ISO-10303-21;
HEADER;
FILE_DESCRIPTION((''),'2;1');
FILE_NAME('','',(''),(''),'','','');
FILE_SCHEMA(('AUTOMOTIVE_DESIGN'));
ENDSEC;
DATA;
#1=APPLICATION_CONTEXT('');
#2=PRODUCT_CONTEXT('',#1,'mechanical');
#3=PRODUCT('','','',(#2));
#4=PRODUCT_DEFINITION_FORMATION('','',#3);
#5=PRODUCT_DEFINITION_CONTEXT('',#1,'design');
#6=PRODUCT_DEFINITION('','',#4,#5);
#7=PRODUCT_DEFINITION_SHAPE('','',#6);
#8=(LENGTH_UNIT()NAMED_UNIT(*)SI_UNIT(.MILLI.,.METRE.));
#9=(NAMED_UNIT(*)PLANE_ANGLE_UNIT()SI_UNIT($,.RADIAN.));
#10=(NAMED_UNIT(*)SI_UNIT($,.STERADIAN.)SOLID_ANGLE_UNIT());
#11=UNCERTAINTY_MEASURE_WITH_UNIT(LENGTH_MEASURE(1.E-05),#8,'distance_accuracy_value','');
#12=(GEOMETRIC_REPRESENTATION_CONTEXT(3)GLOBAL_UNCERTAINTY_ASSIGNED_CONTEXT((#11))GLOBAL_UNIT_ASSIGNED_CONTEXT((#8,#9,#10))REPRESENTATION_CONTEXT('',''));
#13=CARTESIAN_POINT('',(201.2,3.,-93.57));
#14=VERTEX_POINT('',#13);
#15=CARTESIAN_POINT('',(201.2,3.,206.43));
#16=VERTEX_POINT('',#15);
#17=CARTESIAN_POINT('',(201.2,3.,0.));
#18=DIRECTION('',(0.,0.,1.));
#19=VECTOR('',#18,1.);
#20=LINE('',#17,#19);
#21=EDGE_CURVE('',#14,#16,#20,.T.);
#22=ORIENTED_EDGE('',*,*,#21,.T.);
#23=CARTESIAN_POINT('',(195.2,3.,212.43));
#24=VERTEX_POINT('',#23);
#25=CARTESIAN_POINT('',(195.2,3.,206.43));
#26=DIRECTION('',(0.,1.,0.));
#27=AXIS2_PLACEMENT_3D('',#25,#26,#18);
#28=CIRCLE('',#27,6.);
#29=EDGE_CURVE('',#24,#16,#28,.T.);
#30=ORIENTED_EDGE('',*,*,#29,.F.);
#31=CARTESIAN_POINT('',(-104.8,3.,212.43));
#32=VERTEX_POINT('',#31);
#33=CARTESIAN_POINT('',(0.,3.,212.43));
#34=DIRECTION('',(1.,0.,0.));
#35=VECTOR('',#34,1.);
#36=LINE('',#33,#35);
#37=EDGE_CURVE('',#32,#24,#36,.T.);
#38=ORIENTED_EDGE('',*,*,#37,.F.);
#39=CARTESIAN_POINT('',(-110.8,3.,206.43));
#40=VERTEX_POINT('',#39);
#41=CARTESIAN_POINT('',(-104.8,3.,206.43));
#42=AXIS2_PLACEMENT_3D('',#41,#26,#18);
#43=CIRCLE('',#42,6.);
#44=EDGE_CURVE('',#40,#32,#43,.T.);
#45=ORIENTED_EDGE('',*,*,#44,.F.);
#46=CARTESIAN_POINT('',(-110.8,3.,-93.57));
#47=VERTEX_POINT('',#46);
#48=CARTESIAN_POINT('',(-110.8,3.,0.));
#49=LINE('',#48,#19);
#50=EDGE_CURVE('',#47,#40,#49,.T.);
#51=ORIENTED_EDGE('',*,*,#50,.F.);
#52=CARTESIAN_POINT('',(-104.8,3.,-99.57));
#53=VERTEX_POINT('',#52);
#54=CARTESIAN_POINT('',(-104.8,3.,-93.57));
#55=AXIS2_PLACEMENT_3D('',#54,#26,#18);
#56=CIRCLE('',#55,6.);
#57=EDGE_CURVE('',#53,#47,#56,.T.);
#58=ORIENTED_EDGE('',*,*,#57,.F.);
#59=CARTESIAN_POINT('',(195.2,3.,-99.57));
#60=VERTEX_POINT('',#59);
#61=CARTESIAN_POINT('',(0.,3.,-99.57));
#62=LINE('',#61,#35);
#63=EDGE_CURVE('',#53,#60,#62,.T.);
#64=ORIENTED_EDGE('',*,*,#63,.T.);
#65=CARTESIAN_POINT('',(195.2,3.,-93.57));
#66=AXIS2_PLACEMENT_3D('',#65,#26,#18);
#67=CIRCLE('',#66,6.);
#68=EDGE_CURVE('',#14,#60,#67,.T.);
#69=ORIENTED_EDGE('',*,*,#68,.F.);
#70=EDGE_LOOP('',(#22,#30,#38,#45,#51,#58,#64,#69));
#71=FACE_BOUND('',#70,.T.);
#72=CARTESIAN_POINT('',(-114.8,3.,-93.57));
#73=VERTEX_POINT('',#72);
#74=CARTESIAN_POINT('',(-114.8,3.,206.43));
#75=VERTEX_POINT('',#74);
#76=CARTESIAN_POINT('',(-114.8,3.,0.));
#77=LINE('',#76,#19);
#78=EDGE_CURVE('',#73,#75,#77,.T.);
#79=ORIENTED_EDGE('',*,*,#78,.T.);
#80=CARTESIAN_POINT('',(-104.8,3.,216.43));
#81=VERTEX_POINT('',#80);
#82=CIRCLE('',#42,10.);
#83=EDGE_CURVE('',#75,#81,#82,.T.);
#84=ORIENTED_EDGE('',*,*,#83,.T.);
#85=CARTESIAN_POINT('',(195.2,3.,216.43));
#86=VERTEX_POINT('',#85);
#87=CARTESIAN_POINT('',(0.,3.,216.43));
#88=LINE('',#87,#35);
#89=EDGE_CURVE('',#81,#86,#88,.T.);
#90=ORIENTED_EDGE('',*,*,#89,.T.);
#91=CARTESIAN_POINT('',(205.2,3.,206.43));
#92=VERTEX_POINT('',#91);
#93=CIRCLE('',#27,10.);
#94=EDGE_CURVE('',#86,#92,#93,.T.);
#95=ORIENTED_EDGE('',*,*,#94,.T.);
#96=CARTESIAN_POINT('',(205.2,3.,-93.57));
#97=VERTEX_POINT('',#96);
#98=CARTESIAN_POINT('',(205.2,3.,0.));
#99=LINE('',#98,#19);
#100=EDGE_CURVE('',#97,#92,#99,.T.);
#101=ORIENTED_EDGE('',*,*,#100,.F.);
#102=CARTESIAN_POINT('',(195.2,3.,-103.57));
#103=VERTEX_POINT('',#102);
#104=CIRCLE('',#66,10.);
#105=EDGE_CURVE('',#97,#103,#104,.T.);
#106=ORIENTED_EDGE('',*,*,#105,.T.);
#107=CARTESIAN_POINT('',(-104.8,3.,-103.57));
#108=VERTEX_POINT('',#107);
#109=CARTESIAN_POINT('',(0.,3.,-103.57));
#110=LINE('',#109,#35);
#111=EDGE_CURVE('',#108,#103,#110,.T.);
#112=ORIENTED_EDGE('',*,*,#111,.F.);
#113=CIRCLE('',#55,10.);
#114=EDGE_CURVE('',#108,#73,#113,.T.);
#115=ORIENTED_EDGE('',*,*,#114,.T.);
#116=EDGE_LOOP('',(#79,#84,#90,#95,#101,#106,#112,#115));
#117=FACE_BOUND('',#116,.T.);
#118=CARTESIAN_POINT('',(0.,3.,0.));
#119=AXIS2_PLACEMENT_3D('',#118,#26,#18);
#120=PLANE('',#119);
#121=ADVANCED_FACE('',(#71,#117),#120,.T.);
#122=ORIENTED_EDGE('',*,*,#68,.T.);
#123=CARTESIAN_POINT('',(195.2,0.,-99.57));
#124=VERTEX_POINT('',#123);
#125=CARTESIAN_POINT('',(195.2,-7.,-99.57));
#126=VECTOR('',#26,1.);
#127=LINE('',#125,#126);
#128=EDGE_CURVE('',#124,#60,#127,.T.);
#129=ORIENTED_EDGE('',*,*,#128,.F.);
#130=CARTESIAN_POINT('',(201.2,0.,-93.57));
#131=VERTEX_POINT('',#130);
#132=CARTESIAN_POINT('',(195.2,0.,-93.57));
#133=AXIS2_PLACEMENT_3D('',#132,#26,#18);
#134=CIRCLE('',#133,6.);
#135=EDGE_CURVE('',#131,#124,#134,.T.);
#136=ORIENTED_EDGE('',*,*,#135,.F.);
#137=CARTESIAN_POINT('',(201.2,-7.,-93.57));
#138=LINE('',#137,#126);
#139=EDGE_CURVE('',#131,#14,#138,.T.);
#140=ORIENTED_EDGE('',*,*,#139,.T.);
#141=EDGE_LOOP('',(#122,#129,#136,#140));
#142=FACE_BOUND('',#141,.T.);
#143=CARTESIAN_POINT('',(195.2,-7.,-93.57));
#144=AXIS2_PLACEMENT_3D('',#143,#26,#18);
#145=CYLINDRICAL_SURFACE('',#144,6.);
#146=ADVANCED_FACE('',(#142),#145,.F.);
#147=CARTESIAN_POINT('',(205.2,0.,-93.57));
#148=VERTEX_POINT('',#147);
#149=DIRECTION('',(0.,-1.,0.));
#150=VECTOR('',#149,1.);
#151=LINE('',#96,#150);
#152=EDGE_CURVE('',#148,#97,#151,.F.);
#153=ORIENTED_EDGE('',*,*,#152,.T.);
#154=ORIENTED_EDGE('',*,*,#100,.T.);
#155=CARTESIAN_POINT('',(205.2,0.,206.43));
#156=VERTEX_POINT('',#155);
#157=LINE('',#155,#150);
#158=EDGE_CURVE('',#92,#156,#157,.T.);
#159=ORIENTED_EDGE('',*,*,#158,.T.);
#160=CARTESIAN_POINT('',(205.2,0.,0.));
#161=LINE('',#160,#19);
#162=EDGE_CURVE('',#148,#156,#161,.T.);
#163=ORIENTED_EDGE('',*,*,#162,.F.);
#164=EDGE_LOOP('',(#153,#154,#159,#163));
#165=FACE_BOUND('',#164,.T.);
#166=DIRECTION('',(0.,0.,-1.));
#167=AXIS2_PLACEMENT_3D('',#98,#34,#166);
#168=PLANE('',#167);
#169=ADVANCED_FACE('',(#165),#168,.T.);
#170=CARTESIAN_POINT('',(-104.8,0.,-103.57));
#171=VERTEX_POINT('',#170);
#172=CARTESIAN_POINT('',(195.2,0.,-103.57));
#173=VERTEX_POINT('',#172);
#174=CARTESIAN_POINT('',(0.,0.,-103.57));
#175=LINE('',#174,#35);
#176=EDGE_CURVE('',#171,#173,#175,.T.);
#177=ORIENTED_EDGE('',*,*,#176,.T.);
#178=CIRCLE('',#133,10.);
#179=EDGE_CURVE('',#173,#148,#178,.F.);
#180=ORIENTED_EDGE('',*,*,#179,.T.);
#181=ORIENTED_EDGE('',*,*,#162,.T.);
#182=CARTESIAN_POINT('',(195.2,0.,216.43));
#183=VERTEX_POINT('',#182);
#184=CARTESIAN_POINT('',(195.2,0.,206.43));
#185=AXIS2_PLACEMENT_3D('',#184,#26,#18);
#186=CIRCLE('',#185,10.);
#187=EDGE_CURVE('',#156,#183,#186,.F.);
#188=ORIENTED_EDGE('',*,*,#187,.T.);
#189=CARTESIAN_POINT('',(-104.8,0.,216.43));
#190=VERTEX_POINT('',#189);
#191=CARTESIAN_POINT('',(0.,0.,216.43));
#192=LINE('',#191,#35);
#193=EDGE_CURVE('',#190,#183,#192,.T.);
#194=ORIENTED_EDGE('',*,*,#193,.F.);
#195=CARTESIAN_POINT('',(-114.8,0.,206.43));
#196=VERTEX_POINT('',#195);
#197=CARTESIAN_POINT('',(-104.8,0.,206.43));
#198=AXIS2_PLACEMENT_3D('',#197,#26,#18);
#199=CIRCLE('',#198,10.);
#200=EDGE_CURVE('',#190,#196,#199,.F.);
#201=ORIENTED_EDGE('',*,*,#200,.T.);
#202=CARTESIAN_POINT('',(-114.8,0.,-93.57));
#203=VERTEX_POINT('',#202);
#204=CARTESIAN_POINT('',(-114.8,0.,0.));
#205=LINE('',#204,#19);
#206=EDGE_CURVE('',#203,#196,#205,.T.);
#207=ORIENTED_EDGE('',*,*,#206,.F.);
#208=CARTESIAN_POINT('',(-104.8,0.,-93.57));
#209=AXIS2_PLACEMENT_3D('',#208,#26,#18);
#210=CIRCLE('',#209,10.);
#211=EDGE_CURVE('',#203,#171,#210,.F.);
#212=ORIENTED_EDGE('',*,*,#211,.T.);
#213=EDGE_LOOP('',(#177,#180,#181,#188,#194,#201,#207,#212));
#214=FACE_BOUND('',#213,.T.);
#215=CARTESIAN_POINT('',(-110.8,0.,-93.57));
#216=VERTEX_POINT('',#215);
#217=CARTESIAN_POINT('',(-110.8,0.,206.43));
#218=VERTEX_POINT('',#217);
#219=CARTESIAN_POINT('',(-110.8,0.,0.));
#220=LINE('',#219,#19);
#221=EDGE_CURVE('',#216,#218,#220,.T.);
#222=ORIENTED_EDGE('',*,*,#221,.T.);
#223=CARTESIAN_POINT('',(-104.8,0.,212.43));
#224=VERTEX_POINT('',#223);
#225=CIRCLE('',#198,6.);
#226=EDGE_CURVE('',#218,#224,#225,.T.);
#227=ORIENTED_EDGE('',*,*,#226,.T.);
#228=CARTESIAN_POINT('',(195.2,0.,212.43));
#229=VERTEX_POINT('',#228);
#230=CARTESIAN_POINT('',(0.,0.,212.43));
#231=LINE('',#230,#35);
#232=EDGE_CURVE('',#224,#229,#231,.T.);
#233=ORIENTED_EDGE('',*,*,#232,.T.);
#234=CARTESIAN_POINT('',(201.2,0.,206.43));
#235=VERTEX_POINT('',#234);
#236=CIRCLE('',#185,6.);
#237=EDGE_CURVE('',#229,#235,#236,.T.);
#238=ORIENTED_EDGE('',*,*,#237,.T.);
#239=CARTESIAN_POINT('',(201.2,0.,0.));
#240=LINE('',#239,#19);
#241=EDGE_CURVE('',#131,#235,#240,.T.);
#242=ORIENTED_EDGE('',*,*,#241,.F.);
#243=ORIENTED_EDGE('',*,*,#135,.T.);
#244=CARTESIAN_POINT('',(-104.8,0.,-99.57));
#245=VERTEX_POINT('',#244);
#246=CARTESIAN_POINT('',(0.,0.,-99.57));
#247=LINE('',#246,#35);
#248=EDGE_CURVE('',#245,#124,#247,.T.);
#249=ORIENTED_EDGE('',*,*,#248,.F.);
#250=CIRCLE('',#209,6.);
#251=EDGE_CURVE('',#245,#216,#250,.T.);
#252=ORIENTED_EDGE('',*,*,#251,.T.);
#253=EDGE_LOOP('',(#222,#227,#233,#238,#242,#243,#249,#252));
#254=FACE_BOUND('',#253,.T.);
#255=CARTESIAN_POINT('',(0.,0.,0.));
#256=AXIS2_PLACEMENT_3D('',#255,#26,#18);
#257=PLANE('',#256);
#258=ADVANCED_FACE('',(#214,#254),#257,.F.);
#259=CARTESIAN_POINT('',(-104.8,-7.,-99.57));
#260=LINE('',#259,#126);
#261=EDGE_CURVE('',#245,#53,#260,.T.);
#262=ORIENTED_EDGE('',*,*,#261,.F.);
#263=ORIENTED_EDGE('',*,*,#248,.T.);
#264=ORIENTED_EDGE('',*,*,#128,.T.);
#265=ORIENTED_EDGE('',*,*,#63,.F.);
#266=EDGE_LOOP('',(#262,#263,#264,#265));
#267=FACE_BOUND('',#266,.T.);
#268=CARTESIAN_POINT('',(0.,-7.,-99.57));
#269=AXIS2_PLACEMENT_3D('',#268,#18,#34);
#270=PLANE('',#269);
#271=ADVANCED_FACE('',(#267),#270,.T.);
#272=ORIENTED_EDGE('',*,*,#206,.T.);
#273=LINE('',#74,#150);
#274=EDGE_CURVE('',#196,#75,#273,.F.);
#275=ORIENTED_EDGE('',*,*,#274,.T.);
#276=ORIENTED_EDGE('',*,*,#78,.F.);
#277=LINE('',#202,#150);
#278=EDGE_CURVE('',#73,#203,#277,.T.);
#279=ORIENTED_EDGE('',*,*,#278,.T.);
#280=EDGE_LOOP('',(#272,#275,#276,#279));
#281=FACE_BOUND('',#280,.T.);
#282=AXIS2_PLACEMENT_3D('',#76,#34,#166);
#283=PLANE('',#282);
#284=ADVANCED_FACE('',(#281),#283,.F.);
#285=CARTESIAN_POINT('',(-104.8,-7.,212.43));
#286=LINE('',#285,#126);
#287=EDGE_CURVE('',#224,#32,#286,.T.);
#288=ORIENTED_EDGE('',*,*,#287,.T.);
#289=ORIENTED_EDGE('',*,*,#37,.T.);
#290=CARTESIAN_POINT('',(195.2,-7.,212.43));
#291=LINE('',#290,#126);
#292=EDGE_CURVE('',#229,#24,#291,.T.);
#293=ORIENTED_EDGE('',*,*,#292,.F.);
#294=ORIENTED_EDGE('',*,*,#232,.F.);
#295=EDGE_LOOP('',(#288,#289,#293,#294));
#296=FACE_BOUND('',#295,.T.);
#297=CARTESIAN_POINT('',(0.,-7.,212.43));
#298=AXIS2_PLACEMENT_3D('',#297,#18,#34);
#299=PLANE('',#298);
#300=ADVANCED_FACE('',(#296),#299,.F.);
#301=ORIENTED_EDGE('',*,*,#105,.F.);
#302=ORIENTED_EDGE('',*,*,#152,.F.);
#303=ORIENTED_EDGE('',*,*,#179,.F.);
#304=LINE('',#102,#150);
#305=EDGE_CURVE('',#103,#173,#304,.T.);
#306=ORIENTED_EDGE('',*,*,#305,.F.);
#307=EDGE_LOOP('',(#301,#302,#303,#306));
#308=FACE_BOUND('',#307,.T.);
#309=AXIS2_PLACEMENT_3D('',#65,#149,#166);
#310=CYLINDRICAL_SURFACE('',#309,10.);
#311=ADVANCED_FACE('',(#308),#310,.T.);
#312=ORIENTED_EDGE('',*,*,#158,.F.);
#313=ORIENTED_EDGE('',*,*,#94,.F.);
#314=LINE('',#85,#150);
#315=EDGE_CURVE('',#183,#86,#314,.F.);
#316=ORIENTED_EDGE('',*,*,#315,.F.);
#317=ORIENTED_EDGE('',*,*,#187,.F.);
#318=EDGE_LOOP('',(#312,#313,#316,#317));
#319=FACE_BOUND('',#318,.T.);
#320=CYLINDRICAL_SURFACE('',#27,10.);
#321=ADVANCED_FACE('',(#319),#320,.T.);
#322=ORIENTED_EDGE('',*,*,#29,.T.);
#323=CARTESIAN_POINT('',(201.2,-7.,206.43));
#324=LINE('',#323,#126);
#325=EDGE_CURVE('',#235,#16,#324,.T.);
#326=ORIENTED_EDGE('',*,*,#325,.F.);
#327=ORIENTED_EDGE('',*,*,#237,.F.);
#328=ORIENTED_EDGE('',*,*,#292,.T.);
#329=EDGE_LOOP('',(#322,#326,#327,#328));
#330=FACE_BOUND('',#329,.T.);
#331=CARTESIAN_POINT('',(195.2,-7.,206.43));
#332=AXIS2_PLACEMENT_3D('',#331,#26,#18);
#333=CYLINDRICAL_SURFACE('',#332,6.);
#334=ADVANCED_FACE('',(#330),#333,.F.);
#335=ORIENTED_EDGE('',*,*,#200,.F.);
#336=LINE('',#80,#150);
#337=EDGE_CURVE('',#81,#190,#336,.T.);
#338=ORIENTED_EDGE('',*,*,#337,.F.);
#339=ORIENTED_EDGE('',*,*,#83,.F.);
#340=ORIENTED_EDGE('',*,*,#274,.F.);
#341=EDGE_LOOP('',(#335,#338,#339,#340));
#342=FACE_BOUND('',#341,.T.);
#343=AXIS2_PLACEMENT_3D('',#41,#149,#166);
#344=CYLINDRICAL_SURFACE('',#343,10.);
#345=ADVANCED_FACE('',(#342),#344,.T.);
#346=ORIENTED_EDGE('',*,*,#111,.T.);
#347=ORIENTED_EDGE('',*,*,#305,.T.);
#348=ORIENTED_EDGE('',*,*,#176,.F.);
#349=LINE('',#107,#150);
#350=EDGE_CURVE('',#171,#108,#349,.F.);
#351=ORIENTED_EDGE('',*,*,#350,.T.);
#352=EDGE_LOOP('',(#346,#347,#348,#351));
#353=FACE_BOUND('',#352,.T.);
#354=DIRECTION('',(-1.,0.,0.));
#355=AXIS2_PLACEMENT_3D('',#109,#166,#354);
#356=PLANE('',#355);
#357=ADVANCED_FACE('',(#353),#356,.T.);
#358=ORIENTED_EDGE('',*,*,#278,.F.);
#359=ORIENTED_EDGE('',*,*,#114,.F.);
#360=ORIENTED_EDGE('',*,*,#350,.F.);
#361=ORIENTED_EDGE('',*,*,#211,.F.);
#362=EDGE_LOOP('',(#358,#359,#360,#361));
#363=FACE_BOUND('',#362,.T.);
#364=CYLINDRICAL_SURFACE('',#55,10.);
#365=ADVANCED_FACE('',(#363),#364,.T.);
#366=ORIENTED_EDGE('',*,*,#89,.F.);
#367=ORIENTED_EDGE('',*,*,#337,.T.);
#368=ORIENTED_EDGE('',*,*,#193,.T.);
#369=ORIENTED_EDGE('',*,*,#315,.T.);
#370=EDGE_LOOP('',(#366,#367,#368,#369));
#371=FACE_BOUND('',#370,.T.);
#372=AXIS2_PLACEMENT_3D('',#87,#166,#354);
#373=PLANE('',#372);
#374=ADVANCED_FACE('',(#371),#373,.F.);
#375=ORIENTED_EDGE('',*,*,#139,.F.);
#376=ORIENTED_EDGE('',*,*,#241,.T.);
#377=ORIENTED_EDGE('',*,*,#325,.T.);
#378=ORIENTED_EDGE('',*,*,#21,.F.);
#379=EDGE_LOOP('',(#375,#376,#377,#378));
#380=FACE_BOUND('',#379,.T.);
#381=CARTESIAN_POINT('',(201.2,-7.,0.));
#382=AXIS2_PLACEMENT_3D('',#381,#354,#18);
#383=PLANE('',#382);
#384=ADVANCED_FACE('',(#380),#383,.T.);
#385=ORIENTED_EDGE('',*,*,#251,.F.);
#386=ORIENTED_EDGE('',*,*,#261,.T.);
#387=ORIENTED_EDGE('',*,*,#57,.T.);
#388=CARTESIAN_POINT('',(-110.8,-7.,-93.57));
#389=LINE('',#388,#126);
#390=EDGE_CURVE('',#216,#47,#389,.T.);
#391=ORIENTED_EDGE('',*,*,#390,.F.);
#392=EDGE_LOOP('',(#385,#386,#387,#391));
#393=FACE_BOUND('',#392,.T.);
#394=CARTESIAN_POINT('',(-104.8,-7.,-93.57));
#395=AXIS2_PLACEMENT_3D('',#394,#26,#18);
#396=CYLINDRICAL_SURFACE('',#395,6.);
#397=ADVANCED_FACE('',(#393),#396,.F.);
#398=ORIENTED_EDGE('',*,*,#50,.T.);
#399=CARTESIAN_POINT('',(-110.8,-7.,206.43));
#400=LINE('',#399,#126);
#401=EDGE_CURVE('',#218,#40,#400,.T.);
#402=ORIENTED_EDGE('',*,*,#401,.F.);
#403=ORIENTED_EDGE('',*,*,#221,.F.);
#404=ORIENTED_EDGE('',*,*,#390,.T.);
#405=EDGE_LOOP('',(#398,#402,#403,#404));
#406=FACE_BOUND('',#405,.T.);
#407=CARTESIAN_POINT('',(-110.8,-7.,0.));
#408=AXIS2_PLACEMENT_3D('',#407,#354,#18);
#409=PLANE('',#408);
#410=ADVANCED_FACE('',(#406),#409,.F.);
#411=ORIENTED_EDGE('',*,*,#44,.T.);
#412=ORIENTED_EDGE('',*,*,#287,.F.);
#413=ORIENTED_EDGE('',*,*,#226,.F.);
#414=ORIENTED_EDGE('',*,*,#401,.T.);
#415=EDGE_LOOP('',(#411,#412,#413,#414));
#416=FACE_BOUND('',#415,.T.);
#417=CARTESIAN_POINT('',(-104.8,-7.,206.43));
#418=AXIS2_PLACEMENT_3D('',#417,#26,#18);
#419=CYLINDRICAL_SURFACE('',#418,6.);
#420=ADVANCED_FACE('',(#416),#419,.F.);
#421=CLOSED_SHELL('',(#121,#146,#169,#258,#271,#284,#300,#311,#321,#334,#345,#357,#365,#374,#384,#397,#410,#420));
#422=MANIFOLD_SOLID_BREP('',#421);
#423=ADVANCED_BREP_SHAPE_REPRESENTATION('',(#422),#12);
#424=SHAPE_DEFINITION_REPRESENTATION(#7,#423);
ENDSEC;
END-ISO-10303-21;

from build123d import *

# Parameters (mm, degrees)
SKETCH1_W           = 320
SKETCH1_H           = 320
SKETCH1_R           = 2.25
SKETCH1_R_2         = 15
SKETCH1_W_2         = 248
SKETCH1_H_2         = 112
BOSS_EXTRUDE1_DEPTH = 3
FILLET1_R           = 10
SKETCH2_R           = 2.25
SKETCH2_R_2         = 15
SKETCH2_W           = 248
SKETCH2_H           = 112
CUT_EXTRUDE1_DEPTH  = 10


with BuildPart() as part:
    # Sketch1 → Boss-Extrude1 (new body)
    with BuildSketch(Plane(origin=(0, 0, 0), x_dir=(1, 0, 0), z_dir=(0, 1, 0))):
        with Locations((45.2, -56.43)):
            Rectangle(SKETCH1_W, SKETCH1_H)
        with Locations((-36.05, -70.43)):
            Circle(SKETCH1_R, mode=Mode.SUBTRACT)
        with Locations((126.45, -70.43)):
            Circle(SKETCH1_R, mode=Mode.SUBTRACT)
        with Locations((128.7, -200.43)):
            Circle(SKETCH1_R, mode=Mode.SUBTRACT)
        with Locations((-33.8, -200.43)):
            Circle(SKETCH1_R, mode=Mode.SUBTRACT)
        with Locations((45.2, -135.43)):
            Circle(SKETCH1_R_2, mode=Mode.SUBTRACT)
        with Locations((45.2, 41.57)):
            Rectangle(SKETCH1_W_2, SKETCH1_H_2, mode=Mode.SUBTRACT)
    extrude(amount=BOSS_EXTRUDE1_DEPTH)

    # Fillet1
    fillet1_edges = [part.edges().sort_by_distance(p)[0] for p in [
        (205.2, 1.5, 216.43),
        (-114.8, 1.5, 216.43),
        (-114.8, 1.5, -103.57),
        (205.2, 1.5, -103.57),
    ]]
    fillet(fillet1_edges, radius=FILLET1_R)

    # Sketch2 → Cut-Extrude1 (cut)
    with BuildSketch(Plane(origin=(0, 3, 0), x_dir=(1, 0, 0), z_dir=(0, 1, 0))):
        with BuildLine():
            Line((-104.8, 99.57), (195.2, 99.57))
            ThreePointArc((195.2, 99.57), (199.442640687, 97.812640687), (201.2, 93.57))
            Line((201.2, 93.57), (201.2, -206.43))
            ThreePointArc((201.2, -206.43), (199.442640687, -210.672640687), (195.2, -212.43))
            Line((195.2, -212.43), (-104.8, -212.43))
            ThreePointArc((-104.8, -212.43), (-109.042640687, -210.672640687), (-110.8, -206.43))
            Line((-110.8, -206.43), (-110.8, 93.57))
            ThreePointArc((-110.8, 93.57), (-109.042640687, 97.812640687), (-104.8, 99.57))
        make_face()
        with Locations((-33.8, -200.43)):
            Circle(SKETCH2_R, mode=Mode.SUBTRACT)
        with Locations((126.45, -70.43)):
            Circle(SKETCH2_R, mode=Mode.SUBTRACT)
        with Locations((-36.05, -70.43)):
            Circle(SKETCH2_R, mode=Mode.SUBTRACT)
        with Locations((128.7, -200.43)):
            Circle(SKETCH2_R, mode=Mode.SUBTRACT)
        with Locations((45.2, -135.43)):
            Circle(SKETCH2_R_2, mode=Mode.SUBTRACT)
        with Locations((45.2, 41.57)):
            Rectangle(SKETCH2_W, SKETCH2_H, mode=Mode.SUBTRACT)
    extrude(amount=-CUT_EXTRUDE1_DEPTH, mode=Mode.SUBTRACT)


solid = part.part
